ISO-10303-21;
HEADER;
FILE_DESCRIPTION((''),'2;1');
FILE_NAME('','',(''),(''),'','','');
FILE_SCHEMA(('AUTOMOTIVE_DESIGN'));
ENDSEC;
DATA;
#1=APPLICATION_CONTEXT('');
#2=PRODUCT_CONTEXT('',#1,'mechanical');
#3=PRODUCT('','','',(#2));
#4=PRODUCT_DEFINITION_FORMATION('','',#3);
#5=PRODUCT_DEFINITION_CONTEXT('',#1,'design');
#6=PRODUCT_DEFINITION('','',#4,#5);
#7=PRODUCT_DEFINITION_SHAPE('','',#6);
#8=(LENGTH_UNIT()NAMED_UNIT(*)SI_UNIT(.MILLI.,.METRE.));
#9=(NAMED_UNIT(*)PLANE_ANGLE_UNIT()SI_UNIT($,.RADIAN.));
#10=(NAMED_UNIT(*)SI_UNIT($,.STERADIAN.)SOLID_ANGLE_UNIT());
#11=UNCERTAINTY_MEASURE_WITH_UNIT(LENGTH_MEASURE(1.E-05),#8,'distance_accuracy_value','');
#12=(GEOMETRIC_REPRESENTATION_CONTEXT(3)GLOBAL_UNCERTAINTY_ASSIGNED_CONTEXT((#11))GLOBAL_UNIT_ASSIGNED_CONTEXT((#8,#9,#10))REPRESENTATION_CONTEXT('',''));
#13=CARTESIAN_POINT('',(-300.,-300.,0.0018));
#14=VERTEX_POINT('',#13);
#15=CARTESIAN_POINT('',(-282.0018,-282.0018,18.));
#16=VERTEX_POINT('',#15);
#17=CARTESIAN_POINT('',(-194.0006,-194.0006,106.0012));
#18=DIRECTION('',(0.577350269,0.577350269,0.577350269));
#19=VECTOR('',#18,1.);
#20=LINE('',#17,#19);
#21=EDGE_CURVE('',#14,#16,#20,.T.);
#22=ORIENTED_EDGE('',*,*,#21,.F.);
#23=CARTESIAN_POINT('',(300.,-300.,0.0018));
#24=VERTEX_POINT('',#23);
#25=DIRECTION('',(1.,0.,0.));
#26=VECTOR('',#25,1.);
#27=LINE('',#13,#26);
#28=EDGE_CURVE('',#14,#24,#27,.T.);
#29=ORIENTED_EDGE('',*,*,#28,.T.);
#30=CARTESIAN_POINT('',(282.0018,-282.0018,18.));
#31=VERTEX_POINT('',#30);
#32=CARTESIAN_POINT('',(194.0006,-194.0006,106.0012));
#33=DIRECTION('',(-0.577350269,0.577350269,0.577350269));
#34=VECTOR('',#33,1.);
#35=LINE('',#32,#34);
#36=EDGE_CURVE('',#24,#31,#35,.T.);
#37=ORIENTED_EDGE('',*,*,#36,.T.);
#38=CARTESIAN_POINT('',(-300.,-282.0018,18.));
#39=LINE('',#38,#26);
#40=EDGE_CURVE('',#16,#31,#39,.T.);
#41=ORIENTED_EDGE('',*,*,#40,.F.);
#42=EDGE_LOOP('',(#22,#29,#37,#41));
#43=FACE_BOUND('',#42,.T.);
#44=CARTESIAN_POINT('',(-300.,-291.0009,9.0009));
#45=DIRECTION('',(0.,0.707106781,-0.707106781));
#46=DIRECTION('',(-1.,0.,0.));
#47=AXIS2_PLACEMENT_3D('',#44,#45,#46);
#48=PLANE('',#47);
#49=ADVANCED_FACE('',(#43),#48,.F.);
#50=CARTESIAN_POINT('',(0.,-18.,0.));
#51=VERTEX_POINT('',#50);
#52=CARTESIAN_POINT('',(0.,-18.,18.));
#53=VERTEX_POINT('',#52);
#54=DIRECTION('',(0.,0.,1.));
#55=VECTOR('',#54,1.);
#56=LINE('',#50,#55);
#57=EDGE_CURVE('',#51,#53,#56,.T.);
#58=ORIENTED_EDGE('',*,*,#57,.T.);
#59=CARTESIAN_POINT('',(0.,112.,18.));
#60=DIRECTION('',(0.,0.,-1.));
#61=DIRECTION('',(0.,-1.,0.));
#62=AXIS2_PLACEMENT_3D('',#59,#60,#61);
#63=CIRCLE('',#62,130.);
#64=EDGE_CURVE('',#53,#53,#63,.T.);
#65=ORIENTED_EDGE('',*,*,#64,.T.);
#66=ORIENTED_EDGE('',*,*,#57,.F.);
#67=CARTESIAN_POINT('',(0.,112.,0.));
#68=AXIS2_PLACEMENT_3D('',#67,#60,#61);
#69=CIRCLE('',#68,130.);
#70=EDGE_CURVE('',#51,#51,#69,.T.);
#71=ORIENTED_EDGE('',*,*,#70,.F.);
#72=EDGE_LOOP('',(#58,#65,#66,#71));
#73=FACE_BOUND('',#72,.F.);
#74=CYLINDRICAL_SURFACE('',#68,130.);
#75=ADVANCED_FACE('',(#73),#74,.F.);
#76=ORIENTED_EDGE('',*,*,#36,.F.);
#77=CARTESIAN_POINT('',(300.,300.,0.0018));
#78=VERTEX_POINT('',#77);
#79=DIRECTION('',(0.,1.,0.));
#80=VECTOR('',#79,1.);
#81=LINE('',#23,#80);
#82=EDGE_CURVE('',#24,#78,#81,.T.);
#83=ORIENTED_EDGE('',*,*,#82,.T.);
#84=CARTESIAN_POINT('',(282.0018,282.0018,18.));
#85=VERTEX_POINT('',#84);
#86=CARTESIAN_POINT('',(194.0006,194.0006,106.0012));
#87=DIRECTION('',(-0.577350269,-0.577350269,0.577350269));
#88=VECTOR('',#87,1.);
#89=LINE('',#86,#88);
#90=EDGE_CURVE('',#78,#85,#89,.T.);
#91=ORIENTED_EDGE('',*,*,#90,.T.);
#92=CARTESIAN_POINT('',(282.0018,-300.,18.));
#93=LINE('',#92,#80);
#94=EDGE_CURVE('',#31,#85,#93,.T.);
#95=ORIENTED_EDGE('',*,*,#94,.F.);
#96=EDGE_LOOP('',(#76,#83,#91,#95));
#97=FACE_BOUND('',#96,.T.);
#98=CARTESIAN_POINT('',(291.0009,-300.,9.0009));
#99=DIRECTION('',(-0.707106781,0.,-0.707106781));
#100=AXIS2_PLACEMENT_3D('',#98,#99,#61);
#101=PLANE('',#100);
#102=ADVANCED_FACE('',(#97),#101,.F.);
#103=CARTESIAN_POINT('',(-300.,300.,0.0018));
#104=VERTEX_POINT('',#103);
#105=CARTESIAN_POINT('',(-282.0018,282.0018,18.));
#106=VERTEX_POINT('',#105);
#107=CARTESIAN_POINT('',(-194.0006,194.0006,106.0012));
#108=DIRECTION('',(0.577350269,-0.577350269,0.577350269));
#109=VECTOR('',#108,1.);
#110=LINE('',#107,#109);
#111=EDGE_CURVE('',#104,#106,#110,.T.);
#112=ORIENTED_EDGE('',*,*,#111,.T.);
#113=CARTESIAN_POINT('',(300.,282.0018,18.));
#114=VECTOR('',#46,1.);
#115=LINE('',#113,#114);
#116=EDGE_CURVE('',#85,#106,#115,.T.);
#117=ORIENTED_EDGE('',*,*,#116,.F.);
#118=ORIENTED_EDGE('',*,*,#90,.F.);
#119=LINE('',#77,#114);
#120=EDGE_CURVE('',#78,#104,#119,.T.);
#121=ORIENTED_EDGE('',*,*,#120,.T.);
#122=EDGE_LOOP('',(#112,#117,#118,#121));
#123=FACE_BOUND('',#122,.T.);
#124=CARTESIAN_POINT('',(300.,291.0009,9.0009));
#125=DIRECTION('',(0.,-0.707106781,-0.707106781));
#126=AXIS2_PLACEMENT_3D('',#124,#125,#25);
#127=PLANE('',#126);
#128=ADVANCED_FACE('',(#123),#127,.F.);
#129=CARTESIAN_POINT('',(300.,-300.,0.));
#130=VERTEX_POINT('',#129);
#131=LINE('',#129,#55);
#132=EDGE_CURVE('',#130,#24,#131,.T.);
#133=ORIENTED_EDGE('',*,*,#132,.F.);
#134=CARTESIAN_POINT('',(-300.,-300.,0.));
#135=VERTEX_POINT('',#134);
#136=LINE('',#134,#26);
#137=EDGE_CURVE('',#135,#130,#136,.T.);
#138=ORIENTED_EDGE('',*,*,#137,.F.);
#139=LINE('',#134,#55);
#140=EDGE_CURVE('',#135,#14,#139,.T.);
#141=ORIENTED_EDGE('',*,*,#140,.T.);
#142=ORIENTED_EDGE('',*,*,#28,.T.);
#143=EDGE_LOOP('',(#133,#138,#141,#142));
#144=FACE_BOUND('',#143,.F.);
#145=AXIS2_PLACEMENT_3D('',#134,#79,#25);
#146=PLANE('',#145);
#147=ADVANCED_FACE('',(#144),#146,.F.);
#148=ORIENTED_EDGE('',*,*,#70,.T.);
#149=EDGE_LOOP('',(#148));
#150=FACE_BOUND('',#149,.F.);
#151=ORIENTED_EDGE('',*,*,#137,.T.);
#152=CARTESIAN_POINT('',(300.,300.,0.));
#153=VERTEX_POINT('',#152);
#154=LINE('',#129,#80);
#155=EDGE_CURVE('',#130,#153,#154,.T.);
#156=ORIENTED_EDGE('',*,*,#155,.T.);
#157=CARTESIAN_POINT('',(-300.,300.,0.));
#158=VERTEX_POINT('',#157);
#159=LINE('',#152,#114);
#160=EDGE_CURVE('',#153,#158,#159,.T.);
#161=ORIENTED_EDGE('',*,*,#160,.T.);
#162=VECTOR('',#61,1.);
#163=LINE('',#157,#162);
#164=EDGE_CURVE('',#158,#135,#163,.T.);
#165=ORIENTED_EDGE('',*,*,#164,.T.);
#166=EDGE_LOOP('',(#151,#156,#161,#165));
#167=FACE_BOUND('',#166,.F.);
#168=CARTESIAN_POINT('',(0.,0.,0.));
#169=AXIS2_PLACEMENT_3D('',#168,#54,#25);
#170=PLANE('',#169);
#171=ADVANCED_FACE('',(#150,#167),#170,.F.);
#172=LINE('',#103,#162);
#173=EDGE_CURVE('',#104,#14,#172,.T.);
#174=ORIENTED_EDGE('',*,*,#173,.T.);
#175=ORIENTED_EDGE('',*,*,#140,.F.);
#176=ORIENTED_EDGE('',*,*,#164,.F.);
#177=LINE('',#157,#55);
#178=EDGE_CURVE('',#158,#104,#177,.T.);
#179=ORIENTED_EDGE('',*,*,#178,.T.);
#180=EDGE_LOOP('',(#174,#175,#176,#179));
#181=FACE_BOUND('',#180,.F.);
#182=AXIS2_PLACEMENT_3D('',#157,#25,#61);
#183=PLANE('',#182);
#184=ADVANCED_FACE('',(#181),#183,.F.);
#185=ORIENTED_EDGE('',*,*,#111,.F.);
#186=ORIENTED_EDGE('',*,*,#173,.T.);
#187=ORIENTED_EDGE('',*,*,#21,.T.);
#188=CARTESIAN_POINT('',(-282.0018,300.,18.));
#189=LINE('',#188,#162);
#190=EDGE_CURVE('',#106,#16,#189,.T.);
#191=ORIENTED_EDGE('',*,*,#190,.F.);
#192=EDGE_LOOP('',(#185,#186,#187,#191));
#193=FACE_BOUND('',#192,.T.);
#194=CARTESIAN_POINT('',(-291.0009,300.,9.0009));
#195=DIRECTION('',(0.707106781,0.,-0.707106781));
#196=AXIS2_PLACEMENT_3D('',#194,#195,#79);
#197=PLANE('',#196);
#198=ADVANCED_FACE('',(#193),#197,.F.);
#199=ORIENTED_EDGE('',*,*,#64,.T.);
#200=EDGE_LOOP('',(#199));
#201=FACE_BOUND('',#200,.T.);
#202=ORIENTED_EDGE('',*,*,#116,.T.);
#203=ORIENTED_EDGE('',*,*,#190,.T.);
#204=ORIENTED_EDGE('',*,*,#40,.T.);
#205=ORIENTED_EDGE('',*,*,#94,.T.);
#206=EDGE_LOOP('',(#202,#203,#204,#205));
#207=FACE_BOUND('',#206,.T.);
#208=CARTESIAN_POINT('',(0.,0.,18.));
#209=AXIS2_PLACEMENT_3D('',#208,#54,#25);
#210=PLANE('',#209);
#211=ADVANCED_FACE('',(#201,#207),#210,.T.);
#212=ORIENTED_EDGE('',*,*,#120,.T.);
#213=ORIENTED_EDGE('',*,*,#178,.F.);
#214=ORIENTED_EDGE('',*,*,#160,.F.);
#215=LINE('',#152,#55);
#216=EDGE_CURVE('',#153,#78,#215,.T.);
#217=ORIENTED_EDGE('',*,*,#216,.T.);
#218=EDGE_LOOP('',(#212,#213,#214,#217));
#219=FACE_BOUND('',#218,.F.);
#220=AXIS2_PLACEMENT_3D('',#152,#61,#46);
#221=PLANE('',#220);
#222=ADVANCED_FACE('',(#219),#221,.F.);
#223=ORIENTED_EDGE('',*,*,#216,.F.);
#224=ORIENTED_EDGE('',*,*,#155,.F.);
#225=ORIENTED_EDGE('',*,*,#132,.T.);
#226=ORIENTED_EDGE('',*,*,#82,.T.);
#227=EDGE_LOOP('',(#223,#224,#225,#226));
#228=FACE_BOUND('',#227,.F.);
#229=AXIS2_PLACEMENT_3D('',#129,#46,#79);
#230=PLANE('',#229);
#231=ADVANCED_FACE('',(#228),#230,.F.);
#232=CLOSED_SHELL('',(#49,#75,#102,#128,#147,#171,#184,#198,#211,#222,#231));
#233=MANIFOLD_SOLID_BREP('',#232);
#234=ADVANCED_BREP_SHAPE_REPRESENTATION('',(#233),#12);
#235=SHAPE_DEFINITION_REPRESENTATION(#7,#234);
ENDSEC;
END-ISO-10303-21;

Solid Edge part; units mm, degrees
sketch "Sketch1" plane through (0, 0, 0) normal (0, 0, 1) x (1, 0, 0)
  line L0 (-300, -300) -> (300, -300)
  line L1 (300, -300) -> (300, 300)
  line L2 (300, 300) -> (-300, 300)
  line L3 (-300, 300) -> (-300, -300)
extrude "Protrusion1" add sketch "Sketch1" along normal blind 18
chamfer "Chamfer_2" distance 18 angle 45 4 edges at (0, -300, 18) (300, 0, 18) (0, 300, 18) (-300, 0, 18)
sketch "Sketch2" plane through (0, 0, 0) normal (0, 0, -1) x (0, -1, 0)
  circle A0 centre (-112, 0) radius 130
  dimension "D1" = 188
extrude "ExtrudedCutout_1" cut sketch "Sketch2" against normal blind 18
properties material "Wood, Mahogany"
